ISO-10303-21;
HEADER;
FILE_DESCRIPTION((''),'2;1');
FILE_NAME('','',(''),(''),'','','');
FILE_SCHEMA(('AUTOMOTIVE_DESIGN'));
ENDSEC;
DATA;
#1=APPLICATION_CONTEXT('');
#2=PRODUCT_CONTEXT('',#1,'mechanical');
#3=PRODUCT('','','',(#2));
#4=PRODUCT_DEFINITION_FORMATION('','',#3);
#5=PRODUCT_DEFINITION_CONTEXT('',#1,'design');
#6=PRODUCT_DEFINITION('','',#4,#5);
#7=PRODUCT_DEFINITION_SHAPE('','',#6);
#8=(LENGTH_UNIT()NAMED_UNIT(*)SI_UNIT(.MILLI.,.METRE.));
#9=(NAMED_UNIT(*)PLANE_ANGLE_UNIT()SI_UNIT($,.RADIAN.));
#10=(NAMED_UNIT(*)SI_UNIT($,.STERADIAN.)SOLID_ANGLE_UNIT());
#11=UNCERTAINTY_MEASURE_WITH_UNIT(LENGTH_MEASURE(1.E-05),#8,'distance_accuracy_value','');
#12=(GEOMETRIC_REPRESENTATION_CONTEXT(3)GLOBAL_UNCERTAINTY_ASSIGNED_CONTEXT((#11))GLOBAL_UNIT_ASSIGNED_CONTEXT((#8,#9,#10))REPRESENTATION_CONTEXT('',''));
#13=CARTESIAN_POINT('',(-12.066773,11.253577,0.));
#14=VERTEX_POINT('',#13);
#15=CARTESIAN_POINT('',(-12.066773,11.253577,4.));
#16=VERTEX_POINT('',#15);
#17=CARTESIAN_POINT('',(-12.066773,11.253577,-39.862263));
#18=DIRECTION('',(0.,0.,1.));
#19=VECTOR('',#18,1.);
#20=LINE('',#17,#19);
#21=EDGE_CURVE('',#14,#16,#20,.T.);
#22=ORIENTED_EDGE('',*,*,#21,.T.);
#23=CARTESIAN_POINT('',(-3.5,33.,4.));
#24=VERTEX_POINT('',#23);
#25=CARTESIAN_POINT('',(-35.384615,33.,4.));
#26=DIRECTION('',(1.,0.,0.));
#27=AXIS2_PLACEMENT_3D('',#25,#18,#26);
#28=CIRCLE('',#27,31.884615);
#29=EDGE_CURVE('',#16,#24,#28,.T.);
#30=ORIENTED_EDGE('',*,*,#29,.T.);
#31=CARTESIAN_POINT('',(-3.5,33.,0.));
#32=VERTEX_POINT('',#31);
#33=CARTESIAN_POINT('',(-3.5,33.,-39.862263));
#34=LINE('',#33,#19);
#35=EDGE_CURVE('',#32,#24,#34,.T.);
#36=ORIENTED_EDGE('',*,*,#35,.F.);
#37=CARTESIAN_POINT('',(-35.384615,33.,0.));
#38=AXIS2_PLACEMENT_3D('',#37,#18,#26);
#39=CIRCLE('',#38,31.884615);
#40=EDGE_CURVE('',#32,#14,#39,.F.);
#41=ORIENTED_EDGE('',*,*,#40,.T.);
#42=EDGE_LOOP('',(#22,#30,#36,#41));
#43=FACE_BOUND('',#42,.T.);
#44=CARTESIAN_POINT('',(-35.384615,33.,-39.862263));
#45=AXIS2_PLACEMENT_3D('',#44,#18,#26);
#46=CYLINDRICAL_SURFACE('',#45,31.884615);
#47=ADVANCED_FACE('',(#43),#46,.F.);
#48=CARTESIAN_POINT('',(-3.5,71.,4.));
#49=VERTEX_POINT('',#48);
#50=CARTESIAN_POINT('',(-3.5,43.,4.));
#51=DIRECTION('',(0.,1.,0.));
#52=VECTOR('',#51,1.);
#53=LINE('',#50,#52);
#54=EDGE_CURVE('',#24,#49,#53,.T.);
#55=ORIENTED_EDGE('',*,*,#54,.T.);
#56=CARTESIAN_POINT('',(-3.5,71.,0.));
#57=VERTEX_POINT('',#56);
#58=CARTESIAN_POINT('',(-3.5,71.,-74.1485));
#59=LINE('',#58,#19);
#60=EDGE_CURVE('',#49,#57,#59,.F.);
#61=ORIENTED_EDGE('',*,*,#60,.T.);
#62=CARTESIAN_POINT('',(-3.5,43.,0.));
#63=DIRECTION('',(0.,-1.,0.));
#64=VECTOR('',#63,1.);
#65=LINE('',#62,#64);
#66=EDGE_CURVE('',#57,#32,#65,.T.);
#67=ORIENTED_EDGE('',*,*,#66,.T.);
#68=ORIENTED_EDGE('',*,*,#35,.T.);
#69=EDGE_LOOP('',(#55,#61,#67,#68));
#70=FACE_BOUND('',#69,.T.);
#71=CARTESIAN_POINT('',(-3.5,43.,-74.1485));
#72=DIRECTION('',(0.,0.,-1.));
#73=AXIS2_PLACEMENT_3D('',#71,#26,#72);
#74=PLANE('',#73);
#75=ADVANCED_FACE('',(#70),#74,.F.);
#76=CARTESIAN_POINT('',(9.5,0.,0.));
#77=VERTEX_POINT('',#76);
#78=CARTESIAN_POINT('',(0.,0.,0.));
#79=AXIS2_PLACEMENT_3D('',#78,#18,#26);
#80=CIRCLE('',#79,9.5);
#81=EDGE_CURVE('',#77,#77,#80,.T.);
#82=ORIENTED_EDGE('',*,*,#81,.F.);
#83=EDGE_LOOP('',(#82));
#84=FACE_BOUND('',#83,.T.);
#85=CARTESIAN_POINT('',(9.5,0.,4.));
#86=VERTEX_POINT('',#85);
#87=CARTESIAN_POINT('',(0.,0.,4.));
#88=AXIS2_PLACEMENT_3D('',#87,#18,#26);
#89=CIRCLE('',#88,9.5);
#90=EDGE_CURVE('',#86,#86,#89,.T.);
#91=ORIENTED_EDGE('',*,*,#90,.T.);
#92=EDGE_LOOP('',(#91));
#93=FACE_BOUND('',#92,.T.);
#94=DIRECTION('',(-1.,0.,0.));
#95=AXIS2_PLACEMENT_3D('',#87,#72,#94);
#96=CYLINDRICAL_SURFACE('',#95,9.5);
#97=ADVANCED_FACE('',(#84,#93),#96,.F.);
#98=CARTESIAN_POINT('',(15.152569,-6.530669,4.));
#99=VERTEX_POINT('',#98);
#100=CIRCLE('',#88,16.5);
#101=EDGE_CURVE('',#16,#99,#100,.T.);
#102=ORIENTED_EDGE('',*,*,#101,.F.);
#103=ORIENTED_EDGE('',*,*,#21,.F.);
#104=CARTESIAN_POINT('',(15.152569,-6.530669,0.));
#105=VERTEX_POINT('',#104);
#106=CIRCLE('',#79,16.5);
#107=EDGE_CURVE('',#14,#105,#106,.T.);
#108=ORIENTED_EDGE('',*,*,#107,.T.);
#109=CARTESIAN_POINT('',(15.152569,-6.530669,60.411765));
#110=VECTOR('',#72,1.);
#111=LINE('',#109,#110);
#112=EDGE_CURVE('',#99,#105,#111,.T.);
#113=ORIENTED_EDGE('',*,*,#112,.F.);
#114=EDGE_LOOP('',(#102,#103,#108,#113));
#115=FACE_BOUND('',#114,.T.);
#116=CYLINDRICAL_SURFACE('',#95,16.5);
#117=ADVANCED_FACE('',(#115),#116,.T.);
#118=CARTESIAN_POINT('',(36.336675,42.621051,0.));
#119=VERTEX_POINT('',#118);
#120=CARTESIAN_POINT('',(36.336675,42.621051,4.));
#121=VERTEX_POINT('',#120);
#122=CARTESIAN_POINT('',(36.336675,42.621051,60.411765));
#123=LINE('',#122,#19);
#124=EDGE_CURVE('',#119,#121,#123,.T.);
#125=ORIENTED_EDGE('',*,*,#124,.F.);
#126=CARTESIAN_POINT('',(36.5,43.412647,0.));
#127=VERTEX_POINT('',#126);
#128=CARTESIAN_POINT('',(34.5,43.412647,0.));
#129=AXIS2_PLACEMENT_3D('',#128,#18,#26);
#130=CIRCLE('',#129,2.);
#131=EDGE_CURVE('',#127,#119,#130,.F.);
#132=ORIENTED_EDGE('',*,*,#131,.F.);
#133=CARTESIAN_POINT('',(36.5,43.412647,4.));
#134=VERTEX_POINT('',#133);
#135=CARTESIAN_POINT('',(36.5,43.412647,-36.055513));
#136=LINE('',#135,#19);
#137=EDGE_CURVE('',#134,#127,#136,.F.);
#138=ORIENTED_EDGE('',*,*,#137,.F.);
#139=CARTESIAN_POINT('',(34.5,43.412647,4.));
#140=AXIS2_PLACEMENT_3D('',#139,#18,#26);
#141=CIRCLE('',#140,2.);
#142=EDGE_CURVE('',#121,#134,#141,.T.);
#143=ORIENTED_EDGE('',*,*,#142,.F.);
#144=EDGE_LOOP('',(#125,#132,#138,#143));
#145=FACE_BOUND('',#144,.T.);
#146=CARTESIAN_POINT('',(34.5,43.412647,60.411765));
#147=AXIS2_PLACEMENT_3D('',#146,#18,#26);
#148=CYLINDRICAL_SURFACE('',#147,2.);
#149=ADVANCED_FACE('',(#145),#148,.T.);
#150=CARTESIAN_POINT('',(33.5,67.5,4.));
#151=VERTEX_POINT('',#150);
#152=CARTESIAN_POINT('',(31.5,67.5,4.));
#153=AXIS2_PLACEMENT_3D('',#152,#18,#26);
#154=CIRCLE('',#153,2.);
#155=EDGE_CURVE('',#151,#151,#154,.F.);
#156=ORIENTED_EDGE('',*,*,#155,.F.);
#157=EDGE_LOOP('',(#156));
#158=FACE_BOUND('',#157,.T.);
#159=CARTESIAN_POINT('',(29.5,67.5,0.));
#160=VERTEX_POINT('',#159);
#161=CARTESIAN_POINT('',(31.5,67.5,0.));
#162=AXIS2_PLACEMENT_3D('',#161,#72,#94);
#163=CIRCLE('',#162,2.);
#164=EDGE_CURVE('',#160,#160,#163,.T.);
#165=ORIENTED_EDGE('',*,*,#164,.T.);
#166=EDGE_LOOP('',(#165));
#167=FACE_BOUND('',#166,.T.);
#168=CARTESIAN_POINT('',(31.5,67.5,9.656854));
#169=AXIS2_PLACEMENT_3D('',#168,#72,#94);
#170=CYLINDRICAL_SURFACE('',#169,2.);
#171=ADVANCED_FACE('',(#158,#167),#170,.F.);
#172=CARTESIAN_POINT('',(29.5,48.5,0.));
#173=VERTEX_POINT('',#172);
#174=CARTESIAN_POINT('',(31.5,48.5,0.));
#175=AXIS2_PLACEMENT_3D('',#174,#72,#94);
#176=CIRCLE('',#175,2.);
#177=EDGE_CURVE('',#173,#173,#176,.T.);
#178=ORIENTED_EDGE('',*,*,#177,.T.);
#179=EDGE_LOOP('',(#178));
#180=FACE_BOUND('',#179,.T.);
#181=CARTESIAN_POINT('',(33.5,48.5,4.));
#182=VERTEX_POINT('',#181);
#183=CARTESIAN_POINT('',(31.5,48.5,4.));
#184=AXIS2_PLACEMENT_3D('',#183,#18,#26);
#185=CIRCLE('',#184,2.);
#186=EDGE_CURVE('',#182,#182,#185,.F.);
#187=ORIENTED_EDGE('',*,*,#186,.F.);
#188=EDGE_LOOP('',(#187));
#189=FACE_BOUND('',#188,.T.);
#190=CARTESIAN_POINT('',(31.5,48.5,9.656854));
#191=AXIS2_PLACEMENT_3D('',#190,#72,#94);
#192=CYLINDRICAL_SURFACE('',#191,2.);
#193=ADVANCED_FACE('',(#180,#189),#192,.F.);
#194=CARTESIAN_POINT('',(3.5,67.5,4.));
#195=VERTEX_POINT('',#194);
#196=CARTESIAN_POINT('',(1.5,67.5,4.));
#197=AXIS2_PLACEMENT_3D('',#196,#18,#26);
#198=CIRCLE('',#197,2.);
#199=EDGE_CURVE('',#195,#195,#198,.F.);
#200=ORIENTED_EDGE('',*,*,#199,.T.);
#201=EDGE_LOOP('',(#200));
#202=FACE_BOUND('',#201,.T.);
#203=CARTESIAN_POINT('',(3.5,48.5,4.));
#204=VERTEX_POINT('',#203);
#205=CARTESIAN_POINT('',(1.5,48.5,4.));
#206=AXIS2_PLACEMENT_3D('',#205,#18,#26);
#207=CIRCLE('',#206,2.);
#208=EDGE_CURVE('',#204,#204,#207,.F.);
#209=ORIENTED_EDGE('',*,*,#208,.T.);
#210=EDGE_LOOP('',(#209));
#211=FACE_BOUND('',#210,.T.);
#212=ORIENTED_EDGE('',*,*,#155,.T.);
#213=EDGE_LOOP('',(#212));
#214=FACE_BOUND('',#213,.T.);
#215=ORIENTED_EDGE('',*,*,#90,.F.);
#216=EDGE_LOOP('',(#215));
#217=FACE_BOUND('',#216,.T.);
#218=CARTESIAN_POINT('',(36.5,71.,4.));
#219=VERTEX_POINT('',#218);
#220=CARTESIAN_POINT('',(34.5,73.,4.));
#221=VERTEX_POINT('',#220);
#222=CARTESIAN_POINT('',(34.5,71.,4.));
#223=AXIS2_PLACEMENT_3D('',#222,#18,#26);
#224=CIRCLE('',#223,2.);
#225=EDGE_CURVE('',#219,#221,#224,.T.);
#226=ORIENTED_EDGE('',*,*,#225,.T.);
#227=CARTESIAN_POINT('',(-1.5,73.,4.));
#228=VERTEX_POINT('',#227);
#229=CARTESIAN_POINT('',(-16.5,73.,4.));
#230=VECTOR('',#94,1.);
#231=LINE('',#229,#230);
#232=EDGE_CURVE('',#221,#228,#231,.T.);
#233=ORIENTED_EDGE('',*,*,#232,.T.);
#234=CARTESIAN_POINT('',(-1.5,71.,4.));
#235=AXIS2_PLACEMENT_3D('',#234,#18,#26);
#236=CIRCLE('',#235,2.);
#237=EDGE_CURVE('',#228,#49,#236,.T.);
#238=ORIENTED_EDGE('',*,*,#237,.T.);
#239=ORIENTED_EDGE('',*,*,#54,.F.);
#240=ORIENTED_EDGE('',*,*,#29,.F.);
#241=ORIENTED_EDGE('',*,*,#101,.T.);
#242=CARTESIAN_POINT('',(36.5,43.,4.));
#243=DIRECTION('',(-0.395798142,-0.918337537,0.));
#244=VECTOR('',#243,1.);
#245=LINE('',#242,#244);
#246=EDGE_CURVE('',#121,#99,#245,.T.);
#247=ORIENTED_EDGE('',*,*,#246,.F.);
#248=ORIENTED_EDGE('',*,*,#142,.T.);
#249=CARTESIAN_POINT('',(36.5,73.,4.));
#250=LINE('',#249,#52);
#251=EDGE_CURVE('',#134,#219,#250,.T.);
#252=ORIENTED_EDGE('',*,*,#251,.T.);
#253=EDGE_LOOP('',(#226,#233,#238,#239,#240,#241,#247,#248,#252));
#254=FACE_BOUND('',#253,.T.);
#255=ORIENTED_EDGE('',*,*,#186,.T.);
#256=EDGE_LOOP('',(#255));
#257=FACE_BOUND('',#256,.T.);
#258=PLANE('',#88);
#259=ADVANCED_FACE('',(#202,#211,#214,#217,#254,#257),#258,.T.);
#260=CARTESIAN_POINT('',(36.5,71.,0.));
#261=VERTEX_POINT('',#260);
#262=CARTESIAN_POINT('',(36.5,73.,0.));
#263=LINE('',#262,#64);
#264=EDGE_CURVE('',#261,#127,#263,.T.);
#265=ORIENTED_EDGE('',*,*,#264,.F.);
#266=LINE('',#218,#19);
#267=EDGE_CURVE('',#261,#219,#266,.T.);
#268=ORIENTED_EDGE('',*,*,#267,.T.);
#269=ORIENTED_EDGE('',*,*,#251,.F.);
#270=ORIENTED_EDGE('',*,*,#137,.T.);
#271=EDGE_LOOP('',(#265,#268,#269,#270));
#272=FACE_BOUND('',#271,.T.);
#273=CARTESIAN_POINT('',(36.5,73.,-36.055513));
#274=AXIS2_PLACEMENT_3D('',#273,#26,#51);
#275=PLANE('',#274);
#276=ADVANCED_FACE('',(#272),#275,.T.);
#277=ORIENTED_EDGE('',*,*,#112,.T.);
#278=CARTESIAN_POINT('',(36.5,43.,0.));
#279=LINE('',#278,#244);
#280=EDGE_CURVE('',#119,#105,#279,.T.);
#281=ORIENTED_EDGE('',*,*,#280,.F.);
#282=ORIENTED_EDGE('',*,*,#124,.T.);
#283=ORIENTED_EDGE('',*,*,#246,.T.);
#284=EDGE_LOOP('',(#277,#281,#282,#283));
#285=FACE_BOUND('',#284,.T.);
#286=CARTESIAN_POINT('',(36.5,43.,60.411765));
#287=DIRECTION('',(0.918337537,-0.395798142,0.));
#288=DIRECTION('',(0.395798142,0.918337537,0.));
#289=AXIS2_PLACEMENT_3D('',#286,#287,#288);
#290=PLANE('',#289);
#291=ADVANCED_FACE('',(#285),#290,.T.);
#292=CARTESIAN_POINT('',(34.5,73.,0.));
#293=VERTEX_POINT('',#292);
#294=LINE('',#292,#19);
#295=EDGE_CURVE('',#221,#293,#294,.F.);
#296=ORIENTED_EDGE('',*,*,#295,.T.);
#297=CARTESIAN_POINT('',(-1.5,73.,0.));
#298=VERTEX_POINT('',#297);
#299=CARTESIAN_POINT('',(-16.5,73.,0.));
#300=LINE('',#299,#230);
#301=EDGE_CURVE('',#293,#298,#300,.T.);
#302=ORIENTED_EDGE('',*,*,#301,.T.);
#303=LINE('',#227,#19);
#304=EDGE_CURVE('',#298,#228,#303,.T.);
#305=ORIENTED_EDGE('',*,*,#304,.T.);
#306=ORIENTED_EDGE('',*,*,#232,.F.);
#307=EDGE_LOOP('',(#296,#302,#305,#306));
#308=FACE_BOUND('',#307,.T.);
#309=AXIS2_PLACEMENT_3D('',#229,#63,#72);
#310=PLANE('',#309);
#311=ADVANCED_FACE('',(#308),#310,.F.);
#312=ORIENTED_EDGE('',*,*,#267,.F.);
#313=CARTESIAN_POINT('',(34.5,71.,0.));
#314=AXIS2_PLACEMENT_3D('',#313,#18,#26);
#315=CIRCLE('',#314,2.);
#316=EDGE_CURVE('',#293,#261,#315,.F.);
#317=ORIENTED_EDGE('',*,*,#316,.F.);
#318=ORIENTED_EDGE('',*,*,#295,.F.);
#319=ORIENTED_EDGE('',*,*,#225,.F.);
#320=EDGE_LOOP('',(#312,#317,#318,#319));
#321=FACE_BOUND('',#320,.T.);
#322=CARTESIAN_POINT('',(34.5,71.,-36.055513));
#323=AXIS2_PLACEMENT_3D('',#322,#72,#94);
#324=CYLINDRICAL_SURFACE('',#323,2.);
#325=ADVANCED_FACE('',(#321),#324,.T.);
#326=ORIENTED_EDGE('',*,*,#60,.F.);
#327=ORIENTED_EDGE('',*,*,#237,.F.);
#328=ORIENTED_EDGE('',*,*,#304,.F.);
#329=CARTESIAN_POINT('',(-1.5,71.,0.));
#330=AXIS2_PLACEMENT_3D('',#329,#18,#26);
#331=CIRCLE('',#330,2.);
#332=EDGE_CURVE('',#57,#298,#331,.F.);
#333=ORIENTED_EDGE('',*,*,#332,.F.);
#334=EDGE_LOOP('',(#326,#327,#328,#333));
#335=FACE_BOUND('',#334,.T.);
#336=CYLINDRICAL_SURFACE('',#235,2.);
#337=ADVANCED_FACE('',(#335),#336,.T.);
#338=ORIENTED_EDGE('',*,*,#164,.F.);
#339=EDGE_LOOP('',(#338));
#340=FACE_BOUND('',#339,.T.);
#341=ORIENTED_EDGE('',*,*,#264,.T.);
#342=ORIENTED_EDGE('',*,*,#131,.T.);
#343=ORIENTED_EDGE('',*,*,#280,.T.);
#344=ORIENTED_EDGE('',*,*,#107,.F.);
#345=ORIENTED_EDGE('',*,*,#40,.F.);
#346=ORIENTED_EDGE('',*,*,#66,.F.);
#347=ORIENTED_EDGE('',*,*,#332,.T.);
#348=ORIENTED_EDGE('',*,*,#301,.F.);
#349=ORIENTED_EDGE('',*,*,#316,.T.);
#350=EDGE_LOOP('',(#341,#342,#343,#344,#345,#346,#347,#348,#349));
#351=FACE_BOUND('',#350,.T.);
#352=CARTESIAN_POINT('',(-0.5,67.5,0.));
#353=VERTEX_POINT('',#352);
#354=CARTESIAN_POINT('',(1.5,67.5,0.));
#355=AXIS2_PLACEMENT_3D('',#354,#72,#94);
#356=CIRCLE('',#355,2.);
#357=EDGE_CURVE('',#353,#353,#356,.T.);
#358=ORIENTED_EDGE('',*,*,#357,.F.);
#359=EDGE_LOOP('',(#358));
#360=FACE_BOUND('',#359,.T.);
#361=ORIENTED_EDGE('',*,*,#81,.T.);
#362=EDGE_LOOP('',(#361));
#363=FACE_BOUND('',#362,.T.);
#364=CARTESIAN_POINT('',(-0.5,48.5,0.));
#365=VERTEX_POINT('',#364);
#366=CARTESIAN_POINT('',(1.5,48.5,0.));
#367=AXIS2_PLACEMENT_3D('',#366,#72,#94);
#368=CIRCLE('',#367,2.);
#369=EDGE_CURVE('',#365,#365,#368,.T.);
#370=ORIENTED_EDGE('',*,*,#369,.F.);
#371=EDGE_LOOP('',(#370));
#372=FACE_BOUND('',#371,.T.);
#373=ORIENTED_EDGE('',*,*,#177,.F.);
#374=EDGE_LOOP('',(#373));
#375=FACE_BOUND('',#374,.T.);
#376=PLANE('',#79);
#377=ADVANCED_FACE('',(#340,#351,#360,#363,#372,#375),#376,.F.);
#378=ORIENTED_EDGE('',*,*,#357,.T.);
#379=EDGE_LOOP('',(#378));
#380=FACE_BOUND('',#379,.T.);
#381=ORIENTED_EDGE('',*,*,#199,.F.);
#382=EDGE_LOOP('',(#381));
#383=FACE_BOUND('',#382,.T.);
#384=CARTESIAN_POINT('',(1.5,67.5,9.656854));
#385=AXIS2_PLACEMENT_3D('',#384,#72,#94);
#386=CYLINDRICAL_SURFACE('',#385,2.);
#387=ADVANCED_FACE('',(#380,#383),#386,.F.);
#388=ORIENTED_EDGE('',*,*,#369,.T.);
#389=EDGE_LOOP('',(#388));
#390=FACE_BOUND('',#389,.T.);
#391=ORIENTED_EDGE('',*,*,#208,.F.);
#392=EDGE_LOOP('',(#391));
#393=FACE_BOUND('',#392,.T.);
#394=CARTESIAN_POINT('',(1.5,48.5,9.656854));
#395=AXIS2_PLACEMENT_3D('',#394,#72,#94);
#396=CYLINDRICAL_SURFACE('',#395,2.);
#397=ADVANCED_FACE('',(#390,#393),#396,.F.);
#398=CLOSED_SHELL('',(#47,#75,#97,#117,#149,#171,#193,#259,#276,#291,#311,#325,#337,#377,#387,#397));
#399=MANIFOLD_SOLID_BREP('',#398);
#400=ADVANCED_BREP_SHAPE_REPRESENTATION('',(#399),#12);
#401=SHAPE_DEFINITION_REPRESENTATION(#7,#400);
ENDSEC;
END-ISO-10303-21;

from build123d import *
from build123d.topology import SkipClean

# Parameters (mm, degrees)
SKETCH_1_R          = 9.5
EXTRUDE_1_DEPTH     = 4
SKETCH_2_W          = 20
SKETCH_2_H          = 30
EXTRUDE_2_DEPTH     = 4
CUT_EXTRUDE_START   = -4
CUT_EXTRUDE_1_DEPTH = 4
EXTRUDE_3_DEPTH     = 4
CUT_EXTRUDE_2_DEPTH = 4
SKETCH_6_R          = 2
CUT_EXTRUDE_3_DEPTH = 4
FILLET_1_R          = 2


with BuildPart() as part:
    # 草图1 → 凸台-拉伸1 (new body)
    with BuildSketch(Plane.XY):
        with BuildLine():
            Line((-16.5, 0), (-16.5, 73))
            Line((-16.5, 73), (16.5, 73))
            Line((16.5, 73), (16.5, 0))
            ThreePointArc((16.5, 0), (0, -16.5), (-16.5, 0))
        make_face()
        Circle(SKETCH_1_R, mode=Mode.SUBTRACT)
    extrude(amount=EXTRUDE_1_DEPTH)

    # 草图2 → 凸台-拉伸2 (add)
    with BuildSketch(Plane.XY.offset(4)):
        with Locations((26.5, 58)):
            Rectangle(SKETCH_2_W, SKETCH_2_H)
    extrude(amount=-EXTRUDE_2_DEPTH)

    # 草图3 → 切除-拉伸1 (cut)
    with BuildSketch(Plane.XY.offset(4).offset(CUT_EXTRUDE_START)):
        with BuildLine():
            Line((-15.707266889, 5.052896881), (-3.5, 43))
            Line((-3.5, 43), (-3.5, 73))
            Line((-3.5, 73), (-16.5, 73))
            Line((-16.5, 73), (-16.5, 0))
            ThreePointArc((-16.5, 0), (-16.300612008, 2.557351788), (-15.707266889, 5.052896881))
        make_face()
    extrude(amount=CUT_EXTRUDE_1_DEPTH, mode=Mode.SUBTRACT)

    # 草图4 → 凸台-拉伸3 (add)
    with BuildSketch(Plane(origin=(0, 0, 0), x_dir=(-1, 0, 0), z_dir=(0, 0, -1))):
        Polygon((-36.5, 43), (-15.152569354, -6.530669335), (-9.5, 0), (-16.5, 43), align=None)
    extrude(amount=-EXTRUDE_3_DEPTH)

    # 草图5 → 切除-拉伸2 (cut)
    with SkipClean():  # the faces are left unmerged after this step: merging them gives an invalid solid
        with BuildSketch(Plane.XY.offset(4).offset(CUT_EXTRUDE_START)):
            with BuildLine():
                Line((-3.5, 43), (-3.5, 33))
                ThreePointArc((-3.5, 33), (-5.718901629, 21.313506702), (-12.066772655, 11.253577107))
                ThreePointArc((-12.066772655, 11.253577107), (-14.228894088, 8.353955533), (-15.707266889, 5.052896881))
                Line((-15.707266889, 5.052896881), (-3.5, 43))
            make_face()
        extrude(amount=CUT_EXTRUDE_2_DEPTH, mode=Mode.SUBTRACT)

    # 草图6 → 切除-拉伸3 (cut)
    with SkipClean():  # the faces are left unmerged after this step: merging them gives an invalid solid
        with BuildSketch(Plane(origin=(0, 0, 0), x_dir=(-1, 0, 0), z_dir=(0, 0, -1))):
            with Locations((-31.5, 67.5)):
                Circle(SKETCH_6_R)
            with Locations((-1.5, 67.5)):
                Circle(SKETCH_6_R)
            with Locations((-31.5, 48.5)):
                Circle(SKETCH_6_R)
            with Locations((-1.5, 48.5)):
                Circle(SKETCH_6_R)
        extrude(amount=-CUT_EXTRUDE_3_DEPTH, mode=Mode.SUBTRACT)

    # 圆角1
    fillet_1_edges = [part.edges().sort_by_distance(p)[0] for p in [
        (36.5, 73, 2),
        (36.5, 43, 2),
        (-3.5, 73, 2),
    ]]
    fillet(fillet_1_edges, radius=FILLET_1_R)


solid = part.part
